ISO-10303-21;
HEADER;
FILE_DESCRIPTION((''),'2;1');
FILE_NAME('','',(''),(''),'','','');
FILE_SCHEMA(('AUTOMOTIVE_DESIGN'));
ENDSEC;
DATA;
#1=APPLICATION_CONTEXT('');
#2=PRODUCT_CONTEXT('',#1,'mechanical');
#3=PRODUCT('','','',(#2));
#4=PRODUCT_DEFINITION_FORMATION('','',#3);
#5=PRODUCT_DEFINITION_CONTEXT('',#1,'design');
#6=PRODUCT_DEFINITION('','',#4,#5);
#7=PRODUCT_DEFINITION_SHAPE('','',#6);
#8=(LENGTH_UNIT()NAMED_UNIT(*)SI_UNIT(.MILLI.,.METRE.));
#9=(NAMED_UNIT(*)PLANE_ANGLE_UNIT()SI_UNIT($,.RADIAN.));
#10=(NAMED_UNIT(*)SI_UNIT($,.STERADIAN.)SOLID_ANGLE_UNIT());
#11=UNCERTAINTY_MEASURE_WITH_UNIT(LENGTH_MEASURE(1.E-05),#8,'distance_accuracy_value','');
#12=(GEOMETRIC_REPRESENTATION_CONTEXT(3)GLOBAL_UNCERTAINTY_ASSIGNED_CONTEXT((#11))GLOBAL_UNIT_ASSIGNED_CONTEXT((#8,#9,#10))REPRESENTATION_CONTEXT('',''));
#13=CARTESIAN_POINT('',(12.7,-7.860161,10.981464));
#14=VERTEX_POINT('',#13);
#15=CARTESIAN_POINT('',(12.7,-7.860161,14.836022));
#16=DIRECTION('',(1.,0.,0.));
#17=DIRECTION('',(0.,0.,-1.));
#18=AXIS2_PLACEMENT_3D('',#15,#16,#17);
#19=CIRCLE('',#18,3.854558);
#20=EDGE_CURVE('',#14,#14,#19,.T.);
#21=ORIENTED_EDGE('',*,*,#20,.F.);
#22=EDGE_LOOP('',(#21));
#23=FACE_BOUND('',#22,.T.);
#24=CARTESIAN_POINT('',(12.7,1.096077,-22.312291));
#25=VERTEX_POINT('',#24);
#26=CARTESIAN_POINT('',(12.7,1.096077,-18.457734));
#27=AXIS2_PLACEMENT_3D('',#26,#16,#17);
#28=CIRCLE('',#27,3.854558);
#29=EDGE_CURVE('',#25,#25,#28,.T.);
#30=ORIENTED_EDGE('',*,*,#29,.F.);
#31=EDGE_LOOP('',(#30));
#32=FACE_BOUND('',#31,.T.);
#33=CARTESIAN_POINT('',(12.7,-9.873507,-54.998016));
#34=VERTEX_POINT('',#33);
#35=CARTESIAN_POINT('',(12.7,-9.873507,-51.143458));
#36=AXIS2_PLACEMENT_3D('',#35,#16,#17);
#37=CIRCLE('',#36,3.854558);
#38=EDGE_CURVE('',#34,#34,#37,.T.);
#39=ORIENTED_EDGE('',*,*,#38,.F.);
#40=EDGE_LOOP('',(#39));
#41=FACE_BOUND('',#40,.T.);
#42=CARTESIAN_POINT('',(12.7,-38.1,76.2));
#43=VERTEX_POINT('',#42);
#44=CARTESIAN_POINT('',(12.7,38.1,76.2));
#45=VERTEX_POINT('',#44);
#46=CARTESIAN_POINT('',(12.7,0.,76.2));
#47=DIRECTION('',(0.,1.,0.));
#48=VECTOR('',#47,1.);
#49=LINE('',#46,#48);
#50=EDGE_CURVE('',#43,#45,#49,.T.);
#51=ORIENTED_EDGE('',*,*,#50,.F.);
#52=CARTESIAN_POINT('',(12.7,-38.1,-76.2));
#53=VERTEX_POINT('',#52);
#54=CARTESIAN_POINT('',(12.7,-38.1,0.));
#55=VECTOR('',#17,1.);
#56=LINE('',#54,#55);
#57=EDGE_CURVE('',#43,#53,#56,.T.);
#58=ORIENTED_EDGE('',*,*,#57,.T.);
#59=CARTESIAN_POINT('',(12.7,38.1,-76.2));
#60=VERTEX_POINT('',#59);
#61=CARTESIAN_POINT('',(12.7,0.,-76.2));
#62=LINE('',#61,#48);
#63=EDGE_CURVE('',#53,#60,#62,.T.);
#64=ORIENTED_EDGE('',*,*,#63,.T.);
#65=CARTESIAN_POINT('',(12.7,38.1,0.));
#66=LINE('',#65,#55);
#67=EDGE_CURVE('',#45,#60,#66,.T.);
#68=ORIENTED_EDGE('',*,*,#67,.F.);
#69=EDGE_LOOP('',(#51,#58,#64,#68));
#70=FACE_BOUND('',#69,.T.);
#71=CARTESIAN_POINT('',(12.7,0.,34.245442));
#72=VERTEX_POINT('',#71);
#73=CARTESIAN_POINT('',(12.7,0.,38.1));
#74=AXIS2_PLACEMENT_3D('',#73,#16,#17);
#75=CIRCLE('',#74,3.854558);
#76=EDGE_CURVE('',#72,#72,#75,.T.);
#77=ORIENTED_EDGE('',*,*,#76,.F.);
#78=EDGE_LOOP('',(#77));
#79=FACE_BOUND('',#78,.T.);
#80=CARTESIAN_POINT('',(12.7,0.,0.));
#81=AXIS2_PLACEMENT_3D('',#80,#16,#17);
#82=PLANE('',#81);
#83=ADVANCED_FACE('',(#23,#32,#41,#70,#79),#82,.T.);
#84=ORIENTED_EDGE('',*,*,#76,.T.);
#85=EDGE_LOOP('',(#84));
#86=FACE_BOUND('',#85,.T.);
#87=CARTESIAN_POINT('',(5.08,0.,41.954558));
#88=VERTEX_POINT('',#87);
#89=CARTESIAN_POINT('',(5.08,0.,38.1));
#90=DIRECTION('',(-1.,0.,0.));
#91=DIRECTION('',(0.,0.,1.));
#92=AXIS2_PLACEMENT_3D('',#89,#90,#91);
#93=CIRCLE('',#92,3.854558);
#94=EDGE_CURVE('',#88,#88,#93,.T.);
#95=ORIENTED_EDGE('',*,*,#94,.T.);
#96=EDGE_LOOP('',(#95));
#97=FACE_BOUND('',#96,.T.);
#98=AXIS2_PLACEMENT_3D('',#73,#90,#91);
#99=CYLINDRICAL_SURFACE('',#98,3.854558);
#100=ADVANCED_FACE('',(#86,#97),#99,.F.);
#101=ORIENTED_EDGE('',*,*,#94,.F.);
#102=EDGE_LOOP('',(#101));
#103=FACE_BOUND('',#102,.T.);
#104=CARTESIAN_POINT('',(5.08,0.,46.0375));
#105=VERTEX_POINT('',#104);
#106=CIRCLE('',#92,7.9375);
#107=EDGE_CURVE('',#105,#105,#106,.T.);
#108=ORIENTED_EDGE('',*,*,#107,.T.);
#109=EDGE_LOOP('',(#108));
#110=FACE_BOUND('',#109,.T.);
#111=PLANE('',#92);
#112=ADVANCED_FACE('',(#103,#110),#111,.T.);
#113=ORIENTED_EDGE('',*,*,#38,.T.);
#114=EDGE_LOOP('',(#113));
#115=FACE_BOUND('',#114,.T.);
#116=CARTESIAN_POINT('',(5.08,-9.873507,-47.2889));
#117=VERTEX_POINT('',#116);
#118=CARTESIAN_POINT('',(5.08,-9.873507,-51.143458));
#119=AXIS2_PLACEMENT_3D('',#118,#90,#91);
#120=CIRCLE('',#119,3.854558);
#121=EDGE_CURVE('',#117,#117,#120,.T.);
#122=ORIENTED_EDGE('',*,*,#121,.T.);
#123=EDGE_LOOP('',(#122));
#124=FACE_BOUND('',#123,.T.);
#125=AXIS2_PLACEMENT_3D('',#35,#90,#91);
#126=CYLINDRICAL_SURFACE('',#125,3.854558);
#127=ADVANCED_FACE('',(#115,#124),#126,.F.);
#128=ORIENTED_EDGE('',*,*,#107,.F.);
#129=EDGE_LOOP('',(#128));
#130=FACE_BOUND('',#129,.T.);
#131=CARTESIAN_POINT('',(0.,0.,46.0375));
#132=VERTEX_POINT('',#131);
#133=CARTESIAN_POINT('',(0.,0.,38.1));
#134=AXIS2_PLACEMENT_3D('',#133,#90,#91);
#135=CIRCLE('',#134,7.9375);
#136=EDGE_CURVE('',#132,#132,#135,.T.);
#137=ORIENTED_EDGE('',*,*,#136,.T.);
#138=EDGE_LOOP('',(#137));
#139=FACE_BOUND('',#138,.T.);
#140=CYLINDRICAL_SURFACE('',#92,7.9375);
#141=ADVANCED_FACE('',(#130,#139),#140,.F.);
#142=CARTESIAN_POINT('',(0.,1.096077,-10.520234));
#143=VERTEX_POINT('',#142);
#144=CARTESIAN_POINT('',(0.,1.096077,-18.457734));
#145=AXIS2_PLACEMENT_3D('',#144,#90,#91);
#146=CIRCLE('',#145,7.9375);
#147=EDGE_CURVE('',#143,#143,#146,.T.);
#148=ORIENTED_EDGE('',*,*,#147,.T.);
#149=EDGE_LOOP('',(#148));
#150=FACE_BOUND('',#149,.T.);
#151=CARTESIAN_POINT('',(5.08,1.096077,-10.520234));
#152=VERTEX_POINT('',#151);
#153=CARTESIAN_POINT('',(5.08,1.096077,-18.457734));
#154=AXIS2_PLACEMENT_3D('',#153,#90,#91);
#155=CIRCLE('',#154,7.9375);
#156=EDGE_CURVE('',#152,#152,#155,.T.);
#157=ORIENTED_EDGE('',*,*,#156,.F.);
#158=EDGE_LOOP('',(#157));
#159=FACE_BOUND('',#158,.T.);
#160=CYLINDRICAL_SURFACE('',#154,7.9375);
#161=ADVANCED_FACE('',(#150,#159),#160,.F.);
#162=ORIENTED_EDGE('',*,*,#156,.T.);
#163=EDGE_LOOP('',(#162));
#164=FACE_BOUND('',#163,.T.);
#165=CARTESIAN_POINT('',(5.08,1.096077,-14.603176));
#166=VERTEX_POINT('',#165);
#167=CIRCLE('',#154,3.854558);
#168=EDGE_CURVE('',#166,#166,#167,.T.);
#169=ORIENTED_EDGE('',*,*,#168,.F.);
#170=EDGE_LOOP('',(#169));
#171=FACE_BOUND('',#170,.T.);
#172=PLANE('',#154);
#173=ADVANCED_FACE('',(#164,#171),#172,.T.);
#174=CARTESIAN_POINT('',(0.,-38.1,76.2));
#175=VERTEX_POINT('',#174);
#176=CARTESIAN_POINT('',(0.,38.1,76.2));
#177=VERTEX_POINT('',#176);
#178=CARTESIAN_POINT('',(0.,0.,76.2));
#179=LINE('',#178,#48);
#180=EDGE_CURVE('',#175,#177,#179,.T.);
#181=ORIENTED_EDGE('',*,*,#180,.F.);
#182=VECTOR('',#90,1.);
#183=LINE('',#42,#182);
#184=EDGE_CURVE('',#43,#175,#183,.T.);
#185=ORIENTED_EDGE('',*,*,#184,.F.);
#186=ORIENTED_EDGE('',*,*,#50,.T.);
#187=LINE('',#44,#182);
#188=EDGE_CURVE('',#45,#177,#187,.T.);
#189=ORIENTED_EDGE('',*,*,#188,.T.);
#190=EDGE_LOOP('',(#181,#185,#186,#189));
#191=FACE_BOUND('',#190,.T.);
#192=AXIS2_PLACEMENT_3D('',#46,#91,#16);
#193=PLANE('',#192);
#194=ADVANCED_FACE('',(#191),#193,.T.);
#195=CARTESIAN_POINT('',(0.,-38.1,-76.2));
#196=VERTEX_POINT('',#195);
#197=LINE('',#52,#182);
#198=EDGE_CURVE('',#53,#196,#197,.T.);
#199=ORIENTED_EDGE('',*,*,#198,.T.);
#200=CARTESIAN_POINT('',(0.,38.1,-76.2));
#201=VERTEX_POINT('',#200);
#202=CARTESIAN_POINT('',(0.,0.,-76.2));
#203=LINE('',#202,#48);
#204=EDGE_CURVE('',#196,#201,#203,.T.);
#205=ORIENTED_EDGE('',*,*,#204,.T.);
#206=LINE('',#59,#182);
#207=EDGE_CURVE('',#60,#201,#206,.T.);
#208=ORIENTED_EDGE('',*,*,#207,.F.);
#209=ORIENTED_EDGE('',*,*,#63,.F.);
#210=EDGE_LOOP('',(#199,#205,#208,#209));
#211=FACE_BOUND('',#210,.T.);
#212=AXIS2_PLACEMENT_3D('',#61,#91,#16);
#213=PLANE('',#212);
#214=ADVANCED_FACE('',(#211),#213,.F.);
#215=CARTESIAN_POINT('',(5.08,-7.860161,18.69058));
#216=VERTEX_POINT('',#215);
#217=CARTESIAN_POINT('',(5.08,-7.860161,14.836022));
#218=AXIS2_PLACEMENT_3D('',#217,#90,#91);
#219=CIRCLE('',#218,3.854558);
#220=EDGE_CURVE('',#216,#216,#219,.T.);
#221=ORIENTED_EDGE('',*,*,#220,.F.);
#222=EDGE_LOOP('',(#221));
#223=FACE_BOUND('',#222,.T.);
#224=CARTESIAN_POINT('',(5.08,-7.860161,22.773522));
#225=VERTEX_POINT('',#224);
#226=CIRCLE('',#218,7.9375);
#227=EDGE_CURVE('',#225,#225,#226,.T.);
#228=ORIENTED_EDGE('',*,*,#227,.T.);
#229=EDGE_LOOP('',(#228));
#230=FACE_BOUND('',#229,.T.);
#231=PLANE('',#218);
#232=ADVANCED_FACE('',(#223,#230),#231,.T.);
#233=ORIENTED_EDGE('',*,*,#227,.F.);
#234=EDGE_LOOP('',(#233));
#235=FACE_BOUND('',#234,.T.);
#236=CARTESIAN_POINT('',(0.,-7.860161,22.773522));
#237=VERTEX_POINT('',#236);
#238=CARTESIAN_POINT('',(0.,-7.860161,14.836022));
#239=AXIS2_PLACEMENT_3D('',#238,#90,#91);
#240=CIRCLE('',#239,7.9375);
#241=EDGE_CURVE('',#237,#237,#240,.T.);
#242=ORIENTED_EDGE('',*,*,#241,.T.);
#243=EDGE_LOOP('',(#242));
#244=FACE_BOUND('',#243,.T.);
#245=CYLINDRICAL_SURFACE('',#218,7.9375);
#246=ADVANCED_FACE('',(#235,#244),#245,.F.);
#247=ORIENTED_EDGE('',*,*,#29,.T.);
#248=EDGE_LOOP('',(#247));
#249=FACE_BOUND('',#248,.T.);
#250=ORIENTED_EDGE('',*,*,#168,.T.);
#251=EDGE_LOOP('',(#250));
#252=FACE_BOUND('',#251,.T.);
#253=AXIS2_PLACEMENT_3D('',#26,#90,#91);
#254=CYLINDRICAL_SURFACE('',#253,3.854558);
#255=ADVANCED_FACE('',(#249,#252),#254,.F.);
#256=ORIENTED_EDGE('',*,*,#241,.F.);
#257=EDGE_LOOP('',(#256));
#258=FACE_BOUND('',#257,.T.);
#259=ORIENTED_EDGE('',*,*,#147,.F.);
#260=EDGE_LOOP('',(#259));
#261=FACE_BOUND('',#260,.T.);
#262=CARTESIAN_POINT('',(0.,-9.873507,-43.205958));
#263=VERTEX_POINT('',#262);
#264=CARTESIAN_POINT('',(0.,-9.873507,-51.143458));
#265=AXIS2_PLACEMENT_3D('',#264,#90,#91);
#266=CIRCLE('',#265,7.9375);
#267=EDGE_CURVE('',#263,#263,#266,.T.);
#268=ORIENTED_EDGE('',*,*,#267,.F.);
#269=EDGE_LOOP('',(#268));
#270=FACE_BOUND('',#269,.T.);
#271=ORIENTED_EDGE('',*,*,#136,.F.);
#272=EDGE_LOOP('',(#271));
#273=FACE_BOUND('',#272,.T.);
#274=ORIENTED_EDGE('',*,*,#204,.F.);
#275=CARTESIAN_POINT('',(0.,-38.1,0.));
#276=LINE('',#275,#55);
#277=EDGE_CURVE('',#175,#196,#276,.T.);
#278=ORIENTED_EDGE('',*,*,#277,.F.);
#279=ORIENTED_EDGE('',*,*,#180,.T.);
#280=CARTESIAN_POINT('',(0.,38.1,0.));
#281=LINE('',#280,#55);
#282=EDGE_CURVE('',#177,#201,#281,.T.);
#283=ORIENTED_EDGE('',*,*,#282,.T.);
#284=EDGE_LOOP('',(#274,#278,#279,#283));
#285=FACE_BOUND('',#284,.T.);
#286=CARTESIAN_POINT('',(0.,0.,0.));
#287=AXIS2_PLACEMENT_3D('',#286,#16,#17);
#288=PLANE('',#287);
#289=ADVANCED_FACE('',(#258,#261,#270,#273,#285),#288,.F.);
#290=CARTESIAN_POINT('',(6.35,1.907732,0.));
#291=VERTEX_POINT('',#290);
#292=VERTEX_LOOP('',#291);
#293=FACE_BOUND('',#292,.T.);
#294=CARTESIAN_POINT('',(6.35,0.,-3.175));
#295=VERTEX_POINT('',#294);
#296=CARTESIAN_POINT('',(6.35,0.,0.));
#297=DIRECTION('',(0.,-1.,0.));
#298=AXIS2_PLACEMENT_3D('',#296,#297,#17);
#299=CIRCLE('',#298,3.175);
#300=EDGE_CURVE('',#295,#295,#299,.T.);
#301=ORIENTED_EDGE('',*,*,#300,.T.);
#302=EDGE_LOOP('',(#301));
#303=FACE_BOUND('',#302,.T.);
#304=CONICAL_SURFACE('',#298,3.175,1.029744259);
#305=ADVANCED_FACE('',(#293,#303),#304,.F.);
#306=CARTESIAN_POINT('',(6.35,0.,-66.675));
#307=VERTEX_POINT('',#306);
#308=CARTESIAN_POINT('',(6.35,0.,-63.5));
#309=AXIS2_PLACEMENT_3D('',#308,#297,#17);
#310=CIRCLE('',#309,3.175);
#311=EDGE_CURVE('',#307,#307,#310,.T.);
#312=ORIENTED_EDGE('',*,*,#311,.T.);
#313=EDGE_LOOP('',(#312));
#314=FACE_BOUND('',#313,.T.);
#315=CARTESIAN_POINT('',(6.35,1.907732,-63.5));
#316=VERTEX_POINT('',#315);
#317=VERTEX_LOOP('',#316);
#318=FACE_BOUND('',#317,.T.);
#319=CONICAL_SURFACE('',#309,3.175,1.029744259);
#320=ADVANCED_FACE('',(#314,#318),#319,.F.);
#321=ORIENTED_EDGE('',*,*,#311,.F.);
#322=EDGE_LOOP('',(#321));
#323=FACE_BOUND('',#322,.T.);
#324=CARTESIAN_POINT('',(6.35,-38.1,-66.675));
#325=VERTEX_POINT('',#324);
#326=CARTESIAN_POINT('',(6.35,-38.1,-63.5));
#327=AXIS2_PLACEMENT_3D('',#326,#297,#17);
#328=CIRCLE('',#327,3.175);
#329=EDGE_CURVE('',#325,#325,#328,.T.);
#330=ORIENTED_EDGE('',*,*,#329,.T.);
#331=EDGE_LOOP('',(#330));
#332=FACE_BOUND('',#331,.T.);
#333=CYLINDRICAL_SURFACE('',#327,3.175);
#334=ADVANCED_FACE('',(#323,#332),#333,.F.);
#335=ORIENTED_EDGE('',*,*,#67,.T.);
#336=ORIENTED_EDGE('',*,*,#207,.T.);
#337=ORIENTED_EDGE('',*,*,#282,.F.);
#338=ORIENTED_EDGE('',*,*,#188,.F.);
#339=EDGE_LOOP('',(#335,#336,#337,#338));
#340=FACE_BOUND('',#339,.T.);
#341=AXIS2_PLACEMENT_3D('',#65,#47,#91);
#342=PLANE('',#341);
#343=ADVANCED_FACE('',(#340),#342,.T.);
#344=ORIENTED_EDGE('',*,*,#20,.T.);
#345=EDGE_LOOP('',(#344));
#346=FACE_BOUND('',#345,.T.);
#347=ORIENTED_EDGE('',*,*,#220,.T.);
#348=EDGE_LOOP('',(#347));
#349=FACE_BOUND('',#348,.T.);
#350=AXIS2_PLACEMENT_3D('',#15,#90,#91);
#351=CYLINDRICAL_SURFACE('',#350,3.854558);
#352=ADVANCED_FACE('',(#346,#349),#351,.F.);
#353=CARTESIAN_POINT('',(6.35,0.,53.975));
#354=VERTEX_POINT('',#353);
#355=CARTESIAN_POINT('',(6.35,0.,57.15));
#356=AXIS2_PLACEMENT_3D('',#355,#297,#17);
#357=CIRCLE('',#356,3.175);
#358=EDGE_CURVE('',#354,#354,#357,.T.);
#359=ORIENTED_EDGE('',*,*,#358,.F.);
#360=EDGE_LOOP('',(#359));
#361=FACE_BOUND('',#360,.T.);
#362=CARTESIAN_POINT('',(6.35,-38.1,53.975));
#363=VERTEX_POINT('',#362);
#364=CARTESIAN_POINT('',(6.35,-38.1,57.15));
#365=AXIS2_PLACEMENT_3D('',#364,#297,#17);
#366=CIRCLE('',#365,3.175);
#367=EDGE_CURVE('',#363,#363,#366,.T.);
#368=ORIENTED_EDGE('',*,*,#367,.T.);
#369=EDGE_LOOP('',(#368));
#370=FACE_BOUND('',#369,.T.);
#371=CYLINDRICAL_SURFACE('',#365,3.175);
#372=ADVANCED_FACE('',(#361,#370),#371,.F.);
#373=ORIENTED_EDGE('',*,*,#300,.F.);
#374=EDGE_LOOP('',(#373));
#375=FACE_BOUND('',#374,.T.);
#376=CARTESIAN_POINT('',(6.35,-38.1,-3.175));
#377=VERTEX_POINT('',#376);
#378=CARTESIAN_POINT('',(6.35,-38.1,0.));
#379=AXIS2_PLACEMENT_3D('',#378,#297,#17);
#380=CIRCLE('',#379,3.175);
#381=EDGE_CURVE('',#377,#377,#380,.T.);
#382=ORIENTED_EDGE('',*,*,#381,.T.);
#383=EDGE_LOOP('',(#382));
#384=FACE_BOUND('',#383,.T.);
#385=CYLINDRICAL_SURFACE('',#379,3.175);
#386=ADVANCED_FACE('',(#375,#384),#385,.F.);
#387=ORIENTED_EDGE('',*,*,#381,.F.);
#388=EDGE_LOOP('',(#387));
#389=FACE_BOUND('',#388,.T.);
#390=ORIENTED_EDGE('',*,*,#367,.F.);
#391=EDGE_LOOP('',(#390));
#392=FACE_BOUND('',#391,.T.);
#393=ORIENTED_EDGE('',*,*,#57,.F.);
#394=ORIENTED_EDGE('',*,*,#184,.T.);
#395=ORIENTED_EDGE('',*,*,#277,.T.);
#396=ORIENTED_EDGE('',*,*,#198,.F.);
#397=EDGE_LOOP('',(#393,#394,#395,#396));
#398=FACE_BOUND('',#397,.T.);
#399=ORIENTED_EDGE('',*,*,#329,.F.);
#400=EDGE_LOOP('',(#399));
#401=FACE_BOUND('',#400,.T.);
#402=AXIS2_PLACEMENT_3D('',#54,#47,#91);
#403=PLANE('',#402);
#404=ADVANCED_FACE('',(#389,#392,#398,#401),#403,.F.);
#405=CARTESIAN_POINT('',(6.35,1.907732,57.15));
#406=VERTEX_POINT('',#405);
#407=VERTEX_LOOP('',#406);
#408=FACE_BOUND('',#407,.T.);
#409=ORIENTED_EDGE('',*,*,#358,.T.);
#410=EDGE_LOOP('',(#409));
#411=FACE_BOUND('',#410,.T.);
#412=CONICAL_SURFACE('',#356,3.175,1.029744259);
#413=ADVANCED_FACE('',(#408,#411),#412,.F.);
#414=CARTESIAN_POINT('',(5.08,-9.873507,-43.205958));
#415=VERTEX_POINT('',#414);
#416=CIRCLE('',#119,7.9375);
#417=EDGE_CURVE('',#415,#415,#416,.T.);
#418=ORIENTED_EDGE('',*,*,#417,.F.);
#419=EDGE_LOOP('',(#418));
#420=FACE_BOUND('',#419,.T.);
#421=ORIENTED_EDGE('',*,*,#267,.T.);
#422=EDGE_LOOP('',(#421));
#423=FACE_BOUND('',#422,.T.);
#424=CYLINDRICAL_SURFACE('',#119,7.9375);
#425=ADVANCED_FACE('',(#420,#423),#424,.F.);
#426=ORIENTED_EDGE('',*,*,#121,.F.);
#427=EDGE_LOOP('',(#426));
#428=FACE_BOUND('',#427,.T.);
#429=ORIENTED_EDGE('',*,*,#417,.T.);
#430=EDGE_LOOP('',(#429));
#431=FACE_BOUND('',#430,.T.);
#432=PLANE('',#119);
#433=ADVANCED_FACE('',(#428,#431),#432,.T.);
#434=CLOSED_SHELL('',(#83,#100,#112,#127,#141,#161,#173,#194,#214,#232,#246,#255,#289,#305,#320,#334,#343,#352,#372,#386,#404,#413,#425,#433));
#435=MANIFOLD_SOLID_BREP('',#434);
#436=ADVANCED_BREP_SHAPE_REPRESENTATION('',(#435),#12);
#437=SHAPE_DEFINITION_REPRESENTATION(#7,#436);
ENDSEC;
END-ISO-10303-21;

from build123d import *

# Parameters (mm, degrees)
SKETCH1_W                       = 152.4
SKETCH1_H                       = 76.2
SKETCH1_R                       = 3.854557775
BOSS_EXTRUDE1_DEPTH             = 12.7
F_1_4_0_25_DIAMETER_HOLE2_D     = 6.35
F_1_4_0_25_DIAMETER_HOLE2_DEPTH = 38.1
F_1_4_0_25_DIAMETER_HOLE2_TIP   = 1.907732465
SKETCH2_R                       = 7.9375
CUT_EXTRUDE1_DEPTH              = 5.08


with BuildPart() as part:
    # Sketch1 → Boss-Extrude1 (new body)
    with BuildSketch(Plane(origin=(0, 0, 0), x_dir=(0, 0, -1), z_dir=(1, 0, 0))):
        Rectangle(SKETCH1_W, SKETCH1_H)
        with Locations((18.457733582, 1.096077429)):
            Circle(SKETCH1_R, mode=Mode.SUBTRACT)
        with Locations((-38.1, 0)):
            Circle(SKETCH1_R, mode=Mode.SUBTRACT)
        with Locations((-14.836022013, -7.860160654)):
            Circle(SKETCH1_R, mode=Mode.SUBTRACT)
        with Locations((51.143457994, -9.873506971)):
            Circle(SKETCH1_R, mode=Mode.SUBTRACT)
    extrude(amount=BOSS_EXTRUDE1_DEPTH)

    # 1/4 (0.25) Diameter Hole2
    with Locations(Plane.XZ.offset(38.1)):
        with Locations((6.35, 57.15), (6.35, -63.5), (6.35, 0)):
            Hole(F_1_4_0_25_DIAMETER_HOLE2_D / 2, depth=F_1_4_0_25_DIAMETER_HOLE2_DEPTH)
            with Locations((0, 0, -(F_1_4_0_25_DIAMETER_HOLE2_DEPTH + F_1_4_0_25_DIAMETER_HOLE2_TIP / 2))):  # 118° drill point
                Cone(0, F_1_4_0_25_DIAMETER_HOLE2_D / 2, F_1_4_0_25_DIAMETER_HOLE2_TIP, mode=Mode.SUBTRACT)

    # Sketch2 → Cut-Extrude1 (cut)
    with BuildSketch(Plane.ZY):
        with Locations((38.1, 0)):
            Circle(SKETCH2_R)
        with Locations((14.836022013, -7.860160654)):
            Circle(SKETCH2_R)
        with Locations((-18.457733582, 1.096077429)):
            Circle(SKETCH2_R)
        with Locations((-51.143457994, -9.873506971)):
            Circle(SKETCH2_R)
    extrude(amount=-CUT_EXTRUDE1_DEPTH, mode=Mode.SUBTRACT)


solid = part.part
